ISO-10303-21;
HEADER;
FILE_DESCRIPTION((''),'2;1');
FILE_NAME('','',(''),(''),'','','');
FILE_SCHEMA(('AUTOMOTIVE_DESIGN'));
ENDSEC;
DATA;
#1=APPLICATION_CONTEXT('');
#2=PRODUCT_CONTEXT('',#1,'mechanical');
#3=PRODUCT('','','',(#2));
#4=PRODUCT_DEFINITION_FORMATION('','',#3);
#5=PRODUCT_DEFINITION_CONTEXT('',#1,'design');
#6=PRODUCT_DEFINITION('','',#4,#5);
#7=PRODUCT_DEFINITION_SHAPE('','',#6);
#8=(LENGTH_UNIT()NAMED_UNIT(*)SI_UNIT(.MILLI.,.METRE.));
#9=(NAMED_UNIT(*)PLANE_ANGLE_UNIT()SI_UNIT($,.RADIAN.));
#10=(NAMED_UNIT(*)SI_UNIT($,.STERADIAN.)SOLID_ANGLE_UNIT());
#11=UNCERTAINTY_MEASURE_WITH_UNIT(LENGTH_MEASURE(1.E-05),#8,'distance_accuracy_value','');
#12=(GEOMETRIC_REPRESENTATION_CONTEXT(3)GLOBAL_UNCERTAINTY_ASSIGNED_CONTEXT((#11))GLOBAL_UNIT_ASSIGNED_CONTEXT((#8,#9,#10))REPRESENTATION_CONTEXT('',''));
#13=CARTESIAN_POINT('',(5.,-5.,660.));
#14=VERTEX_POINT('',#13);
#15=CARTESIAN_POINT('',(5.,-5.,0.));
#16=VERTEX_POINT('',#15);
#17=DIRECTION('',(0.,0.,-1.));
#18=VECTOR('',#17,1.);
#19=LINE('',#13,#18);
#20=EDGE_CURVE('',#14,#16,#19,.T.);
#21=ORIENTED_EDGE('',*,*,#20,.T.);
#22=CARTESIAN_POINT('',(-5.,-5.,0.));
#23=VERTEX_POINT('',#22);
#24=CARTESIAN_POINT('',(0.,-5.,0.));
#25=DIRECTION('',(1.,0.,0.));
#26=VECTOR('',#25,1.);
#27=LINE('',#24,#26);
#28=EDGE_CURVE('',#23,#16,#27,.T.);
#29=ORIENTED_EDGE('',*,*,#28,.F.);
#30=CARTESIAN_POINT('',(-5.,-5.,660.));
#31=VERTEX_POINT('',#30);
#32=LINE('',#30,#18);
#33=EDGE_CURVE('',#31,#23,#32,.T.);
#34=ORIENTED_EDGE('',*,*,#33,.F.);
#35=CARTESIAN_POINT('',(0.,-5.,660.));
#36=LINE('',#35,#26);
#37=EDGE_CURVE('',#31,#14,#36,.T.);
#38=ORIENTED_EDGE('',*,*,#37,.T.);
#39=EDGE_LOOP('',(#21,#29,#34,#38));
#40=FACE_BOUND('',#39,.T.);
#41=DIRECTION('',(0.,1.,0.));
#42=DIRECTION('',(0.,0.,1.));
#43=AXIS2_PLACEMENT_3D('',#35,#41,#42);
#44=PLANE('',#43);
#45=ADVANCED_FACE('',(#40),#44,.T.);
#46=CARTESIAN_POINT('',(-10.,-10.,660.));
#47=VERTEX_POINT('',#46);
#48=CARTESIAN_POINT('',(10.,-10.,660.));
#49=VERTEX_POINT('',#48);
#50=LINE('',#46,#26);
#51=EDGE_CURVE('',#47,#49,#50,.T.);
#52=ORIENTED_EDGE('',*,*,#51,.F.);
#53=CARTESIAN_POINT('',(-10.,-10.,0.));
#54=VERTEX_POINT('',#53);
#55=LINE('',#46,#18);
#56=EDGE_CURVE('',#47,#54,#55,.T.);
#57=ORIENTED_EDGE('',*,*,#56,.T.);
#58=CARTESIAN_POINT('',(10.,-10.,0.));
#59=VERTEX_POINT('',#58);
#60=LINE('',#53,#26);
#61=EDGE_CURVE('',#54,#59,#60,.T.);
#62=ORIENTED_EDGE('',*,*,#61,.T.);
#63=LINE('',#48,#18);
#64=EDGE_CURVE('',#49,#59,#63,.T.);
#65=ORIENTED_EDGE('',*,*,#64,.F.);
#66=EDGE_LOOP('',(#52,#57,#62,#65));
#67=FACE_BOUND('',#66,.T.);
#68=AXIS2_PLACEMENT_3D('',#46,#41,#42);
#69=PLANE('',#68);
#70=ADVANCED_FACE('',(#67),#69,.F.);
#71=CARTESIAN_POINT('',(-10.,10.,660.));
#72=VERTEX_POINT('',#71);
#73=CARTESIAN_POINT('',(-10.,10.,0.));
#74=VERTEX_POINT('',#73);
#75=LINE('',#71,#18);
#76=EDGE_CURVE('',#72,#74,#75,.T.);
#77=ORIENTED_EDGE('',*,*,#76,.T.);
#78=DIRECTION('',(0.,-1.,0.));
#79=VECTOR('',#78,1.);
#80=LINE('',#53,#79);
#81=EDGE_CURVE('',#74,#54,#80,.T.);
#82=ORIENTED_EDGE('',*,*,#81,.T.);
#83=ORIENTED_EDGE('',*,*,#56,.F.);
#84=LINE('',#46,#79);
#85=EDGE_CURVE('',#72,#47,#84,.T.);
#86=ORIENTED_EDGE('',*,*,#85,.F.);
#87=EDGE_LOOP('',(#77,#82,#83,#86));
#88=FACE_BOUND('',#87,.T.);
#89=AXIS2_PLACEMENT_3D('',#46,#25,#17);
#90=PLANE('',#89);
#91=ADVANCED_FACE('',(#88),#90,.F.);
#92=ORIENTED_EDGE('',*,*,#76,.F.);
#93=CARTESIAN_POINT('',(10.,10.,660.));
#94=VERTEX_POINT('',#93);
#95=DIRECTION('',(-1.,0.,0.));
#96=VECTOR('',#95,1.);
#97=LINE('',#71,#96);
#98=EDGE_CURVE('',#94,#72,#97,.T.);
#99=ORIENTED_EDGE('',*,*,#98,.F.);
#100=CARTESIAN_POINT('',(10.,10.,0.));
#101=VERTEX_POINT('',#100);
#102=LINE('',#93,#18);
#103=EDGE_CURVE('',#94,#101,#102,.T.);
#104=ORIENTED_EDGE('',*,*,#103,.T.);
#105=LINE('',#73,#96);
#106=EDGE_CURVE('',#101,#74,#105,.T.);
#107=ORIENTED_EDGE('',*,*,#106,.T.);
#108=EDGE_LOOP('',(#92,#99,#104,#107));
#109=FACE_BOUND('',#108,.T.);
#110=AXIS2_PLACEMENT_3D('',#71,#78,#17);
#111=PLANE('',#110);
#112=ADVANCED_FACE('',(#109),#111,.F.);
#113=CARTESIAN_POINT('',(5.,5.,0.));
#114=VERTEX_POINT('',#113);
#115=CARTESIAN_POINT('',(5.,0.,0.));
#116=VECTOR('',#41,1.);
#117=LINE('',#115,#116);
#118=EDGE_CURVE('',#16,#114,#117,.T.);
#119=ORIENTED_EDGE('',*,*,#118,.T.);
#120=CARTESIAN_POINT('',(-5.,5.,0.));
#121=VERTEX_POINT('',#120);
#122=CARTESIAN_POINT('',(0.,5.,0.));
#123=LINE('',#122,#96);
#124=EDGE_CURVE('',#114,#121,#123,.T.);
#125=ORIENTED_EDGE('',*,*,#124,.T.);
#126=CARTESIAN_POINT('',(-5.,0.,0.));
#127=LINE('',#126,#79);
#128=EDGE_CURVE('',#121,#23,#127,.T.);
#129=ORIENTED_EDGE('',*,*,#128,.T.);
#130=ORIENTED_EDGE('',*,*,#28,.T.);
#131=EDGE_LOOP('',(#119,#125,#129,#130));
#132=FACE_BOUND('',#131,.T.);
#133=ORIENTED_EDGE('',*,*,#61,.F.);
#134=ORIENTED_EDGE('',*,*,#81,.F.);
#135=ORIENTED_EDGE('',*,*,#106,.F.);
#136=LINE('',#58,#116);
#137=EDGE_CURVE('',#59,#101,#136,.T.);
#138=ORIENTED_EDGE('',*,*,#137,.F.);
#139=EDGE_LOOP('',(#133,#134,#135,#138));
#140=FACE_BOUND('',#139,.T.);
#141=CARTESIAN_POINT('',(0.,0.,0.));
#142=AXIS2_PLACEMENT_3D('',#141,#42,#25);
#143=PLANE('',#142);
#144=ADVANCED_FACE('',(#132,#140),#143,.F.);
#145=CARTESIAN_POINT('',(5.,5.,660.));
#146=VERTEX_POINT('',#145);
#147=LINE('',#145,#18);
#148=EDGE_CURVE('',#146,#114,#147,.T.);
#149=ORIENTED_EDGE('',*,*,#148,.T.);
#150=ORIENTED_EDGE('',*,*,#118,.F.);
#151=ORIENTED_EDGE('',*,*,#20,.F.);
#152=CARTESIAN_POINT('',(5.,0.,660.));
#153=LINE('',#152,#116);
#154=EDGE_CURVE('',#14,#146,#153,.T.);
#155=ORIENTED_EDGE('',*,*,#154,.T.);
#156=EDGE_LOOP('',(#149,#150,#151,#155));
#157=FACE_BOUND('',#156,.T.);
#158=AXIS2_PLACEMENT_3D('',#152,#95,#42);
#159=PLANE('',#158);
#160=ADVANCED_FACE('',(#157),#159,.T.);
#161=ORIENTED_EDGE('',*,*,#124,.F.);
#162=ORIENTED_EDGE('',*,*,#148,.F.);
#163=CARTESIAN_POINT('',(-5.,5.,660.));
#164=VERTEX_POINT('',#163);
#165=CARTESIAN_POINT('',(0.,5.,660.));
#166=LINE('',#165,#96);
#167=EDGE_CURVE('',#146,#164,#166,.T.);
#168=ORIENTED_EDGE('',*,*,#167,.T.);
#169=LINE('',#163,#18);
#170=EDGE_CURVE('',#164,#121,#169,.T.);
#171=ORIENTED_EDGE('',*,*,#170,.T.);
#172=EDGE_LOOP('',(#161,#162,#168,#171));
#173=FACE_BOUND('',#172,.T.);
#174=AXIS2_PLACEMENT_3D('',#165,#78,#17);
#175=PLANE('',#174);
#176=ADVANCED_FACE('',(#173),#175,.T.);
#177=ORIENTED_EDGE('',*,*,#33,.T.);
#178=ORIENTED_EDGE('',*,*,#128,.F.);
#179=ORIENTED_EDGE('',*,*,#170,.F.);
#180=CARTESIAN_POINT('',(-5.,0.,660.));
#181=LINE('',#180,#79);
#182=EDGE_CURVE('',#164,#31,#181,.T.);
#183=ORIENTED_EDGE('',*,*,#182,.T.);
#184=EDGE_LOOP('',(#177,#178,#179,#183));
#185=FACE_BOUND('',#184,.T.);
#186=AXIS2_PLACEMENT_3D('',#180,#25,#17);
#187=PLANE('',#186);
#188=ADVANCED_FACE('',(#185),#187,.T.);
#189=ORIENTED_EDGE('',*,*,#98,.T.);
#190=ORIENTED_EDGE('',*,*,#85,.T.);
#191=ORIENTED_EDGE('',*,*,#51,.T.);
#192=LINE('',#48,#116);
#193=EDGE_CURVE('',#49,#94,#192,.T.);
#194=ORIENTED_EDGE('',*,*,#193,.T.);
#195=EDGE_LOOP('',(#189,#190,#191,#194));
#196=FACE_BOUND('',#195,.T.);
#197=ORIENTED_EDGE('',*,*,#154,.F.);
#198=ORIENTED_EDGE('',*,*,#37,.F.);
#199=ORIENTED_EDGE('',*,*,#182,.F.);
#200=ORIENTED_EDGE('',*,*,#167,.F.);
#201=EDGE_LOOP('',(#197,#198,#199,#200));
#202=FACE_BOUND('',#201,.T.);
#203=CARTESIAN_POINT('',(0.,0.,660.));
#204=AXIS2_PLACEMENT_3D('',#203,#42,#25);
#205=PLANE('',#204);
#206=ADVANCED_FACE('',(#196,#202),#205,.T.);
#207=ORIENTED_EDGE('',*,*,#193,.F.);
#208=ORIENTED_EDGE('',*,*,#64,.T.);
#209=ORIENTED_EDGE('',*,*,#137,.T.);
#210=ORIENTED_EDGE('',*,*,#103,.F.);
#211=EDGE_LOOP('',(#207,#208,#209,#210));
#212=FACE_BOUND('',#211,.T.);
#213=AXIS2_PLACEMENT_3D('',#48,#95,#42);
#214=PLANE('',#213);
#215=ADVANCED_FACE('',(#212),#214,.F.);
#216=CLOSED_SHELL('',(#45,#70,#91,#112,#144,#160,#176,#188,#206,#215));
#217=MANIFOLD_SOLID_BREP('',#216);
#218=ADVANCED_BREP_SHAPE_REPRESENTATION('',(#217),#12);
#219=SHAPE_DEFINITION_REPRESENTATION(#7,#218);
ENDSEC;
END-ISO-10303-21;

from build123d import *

# Parameters (mm, degrees)
SKETCH1_W           = 20
SKETCH1_H           = 20
SKETCH1_W_2         = 10
SKETCH1_H_2         = 10
EXTRUDE_THIN1_DEPTH = 660


with BuildPart() as part:
    # Sketch1 → Extrude-Thin1 (new body)
    with BuildSketch(Plane.XY):
        Rectangle(SKETCH1_W, SKETCH1_H)
        Rectangle(SKETCH1_W_2, SKETCH1_H_2, mode=Mode.SUBTRACT)
    extrude(amount=EXTRUDE_THIN1_DEPTH)


solid = part.part
